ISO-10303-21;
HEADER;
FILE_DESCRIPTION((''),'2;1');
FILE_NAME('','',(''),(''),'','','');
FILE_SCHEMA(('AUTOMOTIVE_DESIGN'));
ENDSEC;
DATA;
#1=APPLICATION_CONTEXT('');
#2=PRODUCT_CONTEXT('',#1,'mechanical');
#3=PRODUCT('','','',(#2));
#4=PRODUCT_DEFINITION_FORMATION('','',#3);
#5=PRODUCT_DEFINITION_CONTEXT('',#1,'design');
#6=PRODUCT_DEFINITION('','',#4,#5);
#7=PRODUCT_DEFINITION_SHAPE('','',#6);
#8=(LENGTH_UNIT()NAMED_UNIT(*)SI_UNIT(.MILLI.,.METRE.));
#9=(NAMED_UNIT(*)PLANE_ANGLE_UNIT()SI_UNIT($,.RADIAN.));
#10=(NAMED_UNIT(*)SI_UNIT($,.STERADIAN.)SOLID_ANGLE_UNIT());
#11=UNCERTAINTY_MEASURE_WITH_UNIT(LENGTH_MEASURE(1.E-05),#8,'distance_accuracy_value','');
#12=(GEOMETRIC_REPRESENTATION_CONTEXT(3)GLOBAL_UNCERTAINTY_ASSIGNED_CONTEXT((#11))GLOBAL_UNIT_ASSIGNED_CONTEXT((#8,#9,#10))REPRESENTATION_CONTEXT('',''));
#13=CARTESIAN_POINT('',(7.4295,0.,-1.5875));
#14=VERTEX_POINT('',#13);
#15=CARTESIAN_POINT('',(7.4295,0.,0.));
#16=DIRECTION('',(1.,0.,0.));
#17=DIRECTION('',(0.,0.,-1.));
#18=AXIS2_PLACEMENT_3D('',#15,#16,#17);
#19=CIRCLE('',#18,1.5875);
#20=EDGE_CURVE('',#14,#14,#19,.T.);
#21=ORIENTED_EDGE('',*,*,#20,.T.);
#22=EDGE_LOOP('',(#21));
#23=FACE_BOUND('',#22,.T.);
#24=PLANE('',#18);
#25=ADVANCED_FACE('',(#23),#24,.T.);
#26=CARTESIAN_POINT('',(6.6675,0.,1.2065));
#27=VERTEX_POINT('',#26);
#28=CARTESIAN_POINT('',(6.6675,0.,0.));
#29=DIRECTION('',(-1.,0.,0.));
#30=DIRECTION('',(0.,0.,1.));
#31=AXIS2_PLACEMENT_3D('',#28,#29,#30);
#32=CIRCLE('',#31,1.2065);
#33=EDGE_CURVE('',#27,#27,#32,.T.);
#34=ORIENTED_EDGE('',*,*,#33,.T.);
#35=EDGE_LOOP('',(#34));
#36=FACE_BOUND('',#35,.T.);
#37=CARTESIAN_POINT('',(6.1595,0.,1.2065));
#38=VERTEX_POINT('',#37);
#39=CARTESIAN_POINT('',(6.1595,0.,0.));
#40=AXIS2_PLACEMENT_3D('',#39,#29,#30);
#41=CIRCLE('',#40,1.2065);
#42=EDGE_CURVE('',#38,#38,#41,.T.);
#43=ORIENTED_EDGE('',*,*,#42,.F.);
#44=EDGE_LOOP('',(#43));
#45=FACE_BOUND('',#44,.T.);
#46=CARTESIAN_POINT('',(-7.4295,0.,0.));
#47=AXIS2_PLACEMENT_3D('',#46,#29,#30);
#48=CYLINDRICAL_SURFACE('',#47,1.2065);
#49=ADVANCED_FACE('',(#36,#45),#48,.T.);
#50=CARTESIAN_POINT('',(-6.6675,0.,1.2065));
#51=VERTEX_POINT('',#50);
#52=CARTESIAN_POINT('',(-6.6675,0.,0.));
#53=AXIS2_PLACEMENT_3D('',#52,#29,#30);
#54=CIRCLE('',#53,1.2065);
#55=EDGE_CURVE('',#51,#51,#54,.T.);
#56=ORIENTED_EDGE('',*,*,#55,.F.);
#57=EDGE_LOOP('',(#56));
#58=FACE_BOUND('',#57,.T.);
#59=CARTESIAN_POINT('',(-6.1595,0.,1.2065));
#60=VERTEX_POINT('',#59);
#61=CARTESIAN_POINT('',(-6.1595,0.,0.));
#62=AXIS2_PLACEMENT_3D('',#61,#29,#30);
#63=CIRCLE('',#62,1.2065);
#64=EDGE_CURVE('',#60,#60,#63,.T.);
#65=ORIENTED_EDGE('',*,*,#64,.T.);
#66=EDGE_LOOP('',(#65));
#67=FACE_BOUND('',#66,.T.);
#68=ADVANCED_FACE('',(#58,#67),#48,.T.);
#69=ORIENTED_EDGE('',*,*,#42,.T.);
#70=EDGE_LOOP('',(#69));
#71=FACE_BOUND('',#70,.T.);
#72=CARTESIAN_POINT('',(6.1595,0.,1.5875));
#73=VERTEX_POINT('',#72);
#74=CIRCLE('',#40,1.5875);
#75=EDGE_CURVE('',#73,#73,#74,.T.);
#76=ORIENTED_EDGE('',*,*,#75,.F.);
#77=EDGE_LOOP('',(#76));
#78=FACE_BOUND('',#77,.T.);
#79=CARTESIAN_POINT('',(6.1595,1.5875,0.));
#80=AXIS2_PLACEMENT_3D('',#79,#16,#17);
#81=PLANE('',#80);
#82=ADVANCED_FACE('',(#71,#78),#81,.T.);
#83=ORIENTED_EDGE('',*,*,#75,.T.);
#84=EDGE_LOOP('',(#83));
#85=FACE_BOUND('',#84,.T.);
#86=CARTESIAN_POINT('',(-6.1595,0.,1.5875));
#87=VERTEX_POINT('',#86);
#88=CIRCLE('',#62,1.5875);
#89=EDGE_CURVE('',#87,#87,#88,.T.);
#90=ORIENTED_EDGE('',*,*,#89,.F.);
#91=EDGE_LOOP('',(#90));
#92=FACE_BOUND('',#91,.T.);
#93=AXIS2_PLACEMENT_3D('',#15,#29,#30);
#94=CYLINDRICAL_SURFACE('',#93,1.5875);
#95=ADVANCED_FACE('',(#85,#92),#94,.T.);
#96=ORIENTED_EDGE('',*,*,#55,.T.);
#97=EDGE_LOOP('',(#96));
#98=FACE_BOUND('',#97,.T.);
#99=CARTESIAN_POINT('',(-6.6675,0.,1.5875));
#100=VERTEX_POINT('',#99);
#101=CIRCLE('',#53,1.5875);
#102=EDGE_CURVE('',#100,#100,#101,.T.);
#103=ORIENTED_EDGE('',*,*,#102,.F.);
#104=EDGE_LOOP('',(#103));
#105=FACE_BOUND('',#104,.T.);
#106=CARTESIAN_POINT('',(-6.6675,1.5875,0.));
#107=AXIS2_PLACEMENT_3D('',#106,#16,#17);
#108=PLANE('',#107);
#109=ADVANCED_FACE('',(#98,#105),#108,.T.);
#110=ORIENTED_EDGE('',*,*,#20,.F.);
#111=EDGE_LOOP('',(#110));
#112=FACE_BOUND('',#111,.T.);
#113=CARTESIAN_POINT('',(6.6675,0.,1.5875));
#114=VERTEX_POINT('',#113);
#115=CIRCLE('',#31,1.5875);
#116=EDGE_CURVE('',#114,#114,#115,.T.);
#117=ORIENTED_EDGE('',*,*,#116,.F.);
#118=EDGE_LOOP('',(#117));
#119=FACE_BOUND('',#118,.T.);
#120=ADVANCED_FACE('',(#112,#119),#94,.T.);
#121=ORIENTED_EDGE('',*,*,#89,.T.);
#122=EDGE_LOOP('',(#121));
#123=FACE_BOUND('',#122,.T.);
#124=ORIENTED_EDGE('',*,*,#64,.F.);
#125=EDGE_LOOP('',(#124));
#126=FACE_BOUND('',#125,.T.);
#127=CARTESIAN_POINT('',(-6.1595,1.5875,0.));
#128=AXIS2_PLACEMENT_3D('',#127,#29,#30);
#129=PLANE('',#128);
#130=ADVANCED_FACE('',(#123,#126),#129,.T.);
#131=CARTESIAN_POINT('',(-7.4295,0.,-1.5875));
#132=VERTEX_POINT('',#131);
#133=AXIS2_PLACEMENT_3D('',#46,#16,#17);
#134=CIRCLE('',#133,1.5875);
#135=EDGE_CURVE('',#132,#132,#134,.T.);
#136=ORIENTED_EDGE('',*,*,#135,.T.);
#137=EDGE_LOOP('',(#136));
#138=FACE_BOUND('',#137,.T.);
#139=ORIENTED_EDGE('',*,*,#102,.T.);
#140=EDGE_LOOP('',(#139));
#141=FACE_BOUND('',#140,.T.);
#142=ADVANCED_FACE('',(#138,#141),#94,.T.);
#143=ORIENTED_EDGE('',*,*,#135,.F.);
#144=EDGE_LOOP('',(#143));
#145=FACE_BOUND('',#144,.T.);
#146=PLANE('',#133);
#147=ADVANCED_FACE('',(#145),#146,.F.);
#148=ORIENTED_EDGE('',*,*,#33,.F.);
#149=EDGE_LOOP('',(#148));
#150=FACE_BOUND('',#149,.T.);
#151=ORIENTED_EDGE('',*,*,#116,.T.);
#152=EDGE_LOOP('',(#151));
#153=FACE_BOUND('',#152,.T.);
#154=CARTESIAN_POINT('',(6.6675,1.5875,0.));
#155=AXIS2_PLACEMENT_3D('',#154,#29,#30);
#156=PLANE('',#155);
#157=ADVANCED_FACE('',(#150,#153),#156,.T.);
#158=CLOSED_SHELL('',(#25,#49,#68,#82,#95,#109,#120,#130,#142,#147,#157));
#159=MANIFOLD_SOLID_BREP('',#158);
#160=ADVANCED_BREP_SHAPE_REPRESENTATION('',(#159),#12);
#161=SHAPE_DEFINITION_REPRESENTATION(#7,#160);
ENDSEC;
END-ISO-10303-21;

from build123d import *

# Parameters (mm, degrees)
SKETCH1_R      = 1.5875
EXTRUDE1_DEPTH = 7.4295
SKETCH2_W      = 0.508
SKETCH2_H      = 0.381


with BuildPart() as part:
    # Sketch1 → Extrude1 (new, symmetric)
    with BuildSketch(Plane(origin=(0, 0, 0), x_dir=(0, 0, -1), z_dir=(1, 0, 0))):
        Circle(SKETCH1_R)
    extrude(amount=EXTRUDE1_DEPTH, both=True)

    # Sketch2 → Cut-Revolve1 (revolve, cut)
    with BuildSketch(Plane.XY):
        with Locations((-6.4135, 1.397)):
            Rectangle(SKETCH2_W, SKETCH2_H)
        with Locations((6.4135, 1.397)):
            Rectangle(SKETCH2_W, SKETCH2_H)
    revolve(axis=Axis((-7.4295, 0, 0), (1, 0, 0)), mode=Mode.SUBTRACT)


solid = part.part
